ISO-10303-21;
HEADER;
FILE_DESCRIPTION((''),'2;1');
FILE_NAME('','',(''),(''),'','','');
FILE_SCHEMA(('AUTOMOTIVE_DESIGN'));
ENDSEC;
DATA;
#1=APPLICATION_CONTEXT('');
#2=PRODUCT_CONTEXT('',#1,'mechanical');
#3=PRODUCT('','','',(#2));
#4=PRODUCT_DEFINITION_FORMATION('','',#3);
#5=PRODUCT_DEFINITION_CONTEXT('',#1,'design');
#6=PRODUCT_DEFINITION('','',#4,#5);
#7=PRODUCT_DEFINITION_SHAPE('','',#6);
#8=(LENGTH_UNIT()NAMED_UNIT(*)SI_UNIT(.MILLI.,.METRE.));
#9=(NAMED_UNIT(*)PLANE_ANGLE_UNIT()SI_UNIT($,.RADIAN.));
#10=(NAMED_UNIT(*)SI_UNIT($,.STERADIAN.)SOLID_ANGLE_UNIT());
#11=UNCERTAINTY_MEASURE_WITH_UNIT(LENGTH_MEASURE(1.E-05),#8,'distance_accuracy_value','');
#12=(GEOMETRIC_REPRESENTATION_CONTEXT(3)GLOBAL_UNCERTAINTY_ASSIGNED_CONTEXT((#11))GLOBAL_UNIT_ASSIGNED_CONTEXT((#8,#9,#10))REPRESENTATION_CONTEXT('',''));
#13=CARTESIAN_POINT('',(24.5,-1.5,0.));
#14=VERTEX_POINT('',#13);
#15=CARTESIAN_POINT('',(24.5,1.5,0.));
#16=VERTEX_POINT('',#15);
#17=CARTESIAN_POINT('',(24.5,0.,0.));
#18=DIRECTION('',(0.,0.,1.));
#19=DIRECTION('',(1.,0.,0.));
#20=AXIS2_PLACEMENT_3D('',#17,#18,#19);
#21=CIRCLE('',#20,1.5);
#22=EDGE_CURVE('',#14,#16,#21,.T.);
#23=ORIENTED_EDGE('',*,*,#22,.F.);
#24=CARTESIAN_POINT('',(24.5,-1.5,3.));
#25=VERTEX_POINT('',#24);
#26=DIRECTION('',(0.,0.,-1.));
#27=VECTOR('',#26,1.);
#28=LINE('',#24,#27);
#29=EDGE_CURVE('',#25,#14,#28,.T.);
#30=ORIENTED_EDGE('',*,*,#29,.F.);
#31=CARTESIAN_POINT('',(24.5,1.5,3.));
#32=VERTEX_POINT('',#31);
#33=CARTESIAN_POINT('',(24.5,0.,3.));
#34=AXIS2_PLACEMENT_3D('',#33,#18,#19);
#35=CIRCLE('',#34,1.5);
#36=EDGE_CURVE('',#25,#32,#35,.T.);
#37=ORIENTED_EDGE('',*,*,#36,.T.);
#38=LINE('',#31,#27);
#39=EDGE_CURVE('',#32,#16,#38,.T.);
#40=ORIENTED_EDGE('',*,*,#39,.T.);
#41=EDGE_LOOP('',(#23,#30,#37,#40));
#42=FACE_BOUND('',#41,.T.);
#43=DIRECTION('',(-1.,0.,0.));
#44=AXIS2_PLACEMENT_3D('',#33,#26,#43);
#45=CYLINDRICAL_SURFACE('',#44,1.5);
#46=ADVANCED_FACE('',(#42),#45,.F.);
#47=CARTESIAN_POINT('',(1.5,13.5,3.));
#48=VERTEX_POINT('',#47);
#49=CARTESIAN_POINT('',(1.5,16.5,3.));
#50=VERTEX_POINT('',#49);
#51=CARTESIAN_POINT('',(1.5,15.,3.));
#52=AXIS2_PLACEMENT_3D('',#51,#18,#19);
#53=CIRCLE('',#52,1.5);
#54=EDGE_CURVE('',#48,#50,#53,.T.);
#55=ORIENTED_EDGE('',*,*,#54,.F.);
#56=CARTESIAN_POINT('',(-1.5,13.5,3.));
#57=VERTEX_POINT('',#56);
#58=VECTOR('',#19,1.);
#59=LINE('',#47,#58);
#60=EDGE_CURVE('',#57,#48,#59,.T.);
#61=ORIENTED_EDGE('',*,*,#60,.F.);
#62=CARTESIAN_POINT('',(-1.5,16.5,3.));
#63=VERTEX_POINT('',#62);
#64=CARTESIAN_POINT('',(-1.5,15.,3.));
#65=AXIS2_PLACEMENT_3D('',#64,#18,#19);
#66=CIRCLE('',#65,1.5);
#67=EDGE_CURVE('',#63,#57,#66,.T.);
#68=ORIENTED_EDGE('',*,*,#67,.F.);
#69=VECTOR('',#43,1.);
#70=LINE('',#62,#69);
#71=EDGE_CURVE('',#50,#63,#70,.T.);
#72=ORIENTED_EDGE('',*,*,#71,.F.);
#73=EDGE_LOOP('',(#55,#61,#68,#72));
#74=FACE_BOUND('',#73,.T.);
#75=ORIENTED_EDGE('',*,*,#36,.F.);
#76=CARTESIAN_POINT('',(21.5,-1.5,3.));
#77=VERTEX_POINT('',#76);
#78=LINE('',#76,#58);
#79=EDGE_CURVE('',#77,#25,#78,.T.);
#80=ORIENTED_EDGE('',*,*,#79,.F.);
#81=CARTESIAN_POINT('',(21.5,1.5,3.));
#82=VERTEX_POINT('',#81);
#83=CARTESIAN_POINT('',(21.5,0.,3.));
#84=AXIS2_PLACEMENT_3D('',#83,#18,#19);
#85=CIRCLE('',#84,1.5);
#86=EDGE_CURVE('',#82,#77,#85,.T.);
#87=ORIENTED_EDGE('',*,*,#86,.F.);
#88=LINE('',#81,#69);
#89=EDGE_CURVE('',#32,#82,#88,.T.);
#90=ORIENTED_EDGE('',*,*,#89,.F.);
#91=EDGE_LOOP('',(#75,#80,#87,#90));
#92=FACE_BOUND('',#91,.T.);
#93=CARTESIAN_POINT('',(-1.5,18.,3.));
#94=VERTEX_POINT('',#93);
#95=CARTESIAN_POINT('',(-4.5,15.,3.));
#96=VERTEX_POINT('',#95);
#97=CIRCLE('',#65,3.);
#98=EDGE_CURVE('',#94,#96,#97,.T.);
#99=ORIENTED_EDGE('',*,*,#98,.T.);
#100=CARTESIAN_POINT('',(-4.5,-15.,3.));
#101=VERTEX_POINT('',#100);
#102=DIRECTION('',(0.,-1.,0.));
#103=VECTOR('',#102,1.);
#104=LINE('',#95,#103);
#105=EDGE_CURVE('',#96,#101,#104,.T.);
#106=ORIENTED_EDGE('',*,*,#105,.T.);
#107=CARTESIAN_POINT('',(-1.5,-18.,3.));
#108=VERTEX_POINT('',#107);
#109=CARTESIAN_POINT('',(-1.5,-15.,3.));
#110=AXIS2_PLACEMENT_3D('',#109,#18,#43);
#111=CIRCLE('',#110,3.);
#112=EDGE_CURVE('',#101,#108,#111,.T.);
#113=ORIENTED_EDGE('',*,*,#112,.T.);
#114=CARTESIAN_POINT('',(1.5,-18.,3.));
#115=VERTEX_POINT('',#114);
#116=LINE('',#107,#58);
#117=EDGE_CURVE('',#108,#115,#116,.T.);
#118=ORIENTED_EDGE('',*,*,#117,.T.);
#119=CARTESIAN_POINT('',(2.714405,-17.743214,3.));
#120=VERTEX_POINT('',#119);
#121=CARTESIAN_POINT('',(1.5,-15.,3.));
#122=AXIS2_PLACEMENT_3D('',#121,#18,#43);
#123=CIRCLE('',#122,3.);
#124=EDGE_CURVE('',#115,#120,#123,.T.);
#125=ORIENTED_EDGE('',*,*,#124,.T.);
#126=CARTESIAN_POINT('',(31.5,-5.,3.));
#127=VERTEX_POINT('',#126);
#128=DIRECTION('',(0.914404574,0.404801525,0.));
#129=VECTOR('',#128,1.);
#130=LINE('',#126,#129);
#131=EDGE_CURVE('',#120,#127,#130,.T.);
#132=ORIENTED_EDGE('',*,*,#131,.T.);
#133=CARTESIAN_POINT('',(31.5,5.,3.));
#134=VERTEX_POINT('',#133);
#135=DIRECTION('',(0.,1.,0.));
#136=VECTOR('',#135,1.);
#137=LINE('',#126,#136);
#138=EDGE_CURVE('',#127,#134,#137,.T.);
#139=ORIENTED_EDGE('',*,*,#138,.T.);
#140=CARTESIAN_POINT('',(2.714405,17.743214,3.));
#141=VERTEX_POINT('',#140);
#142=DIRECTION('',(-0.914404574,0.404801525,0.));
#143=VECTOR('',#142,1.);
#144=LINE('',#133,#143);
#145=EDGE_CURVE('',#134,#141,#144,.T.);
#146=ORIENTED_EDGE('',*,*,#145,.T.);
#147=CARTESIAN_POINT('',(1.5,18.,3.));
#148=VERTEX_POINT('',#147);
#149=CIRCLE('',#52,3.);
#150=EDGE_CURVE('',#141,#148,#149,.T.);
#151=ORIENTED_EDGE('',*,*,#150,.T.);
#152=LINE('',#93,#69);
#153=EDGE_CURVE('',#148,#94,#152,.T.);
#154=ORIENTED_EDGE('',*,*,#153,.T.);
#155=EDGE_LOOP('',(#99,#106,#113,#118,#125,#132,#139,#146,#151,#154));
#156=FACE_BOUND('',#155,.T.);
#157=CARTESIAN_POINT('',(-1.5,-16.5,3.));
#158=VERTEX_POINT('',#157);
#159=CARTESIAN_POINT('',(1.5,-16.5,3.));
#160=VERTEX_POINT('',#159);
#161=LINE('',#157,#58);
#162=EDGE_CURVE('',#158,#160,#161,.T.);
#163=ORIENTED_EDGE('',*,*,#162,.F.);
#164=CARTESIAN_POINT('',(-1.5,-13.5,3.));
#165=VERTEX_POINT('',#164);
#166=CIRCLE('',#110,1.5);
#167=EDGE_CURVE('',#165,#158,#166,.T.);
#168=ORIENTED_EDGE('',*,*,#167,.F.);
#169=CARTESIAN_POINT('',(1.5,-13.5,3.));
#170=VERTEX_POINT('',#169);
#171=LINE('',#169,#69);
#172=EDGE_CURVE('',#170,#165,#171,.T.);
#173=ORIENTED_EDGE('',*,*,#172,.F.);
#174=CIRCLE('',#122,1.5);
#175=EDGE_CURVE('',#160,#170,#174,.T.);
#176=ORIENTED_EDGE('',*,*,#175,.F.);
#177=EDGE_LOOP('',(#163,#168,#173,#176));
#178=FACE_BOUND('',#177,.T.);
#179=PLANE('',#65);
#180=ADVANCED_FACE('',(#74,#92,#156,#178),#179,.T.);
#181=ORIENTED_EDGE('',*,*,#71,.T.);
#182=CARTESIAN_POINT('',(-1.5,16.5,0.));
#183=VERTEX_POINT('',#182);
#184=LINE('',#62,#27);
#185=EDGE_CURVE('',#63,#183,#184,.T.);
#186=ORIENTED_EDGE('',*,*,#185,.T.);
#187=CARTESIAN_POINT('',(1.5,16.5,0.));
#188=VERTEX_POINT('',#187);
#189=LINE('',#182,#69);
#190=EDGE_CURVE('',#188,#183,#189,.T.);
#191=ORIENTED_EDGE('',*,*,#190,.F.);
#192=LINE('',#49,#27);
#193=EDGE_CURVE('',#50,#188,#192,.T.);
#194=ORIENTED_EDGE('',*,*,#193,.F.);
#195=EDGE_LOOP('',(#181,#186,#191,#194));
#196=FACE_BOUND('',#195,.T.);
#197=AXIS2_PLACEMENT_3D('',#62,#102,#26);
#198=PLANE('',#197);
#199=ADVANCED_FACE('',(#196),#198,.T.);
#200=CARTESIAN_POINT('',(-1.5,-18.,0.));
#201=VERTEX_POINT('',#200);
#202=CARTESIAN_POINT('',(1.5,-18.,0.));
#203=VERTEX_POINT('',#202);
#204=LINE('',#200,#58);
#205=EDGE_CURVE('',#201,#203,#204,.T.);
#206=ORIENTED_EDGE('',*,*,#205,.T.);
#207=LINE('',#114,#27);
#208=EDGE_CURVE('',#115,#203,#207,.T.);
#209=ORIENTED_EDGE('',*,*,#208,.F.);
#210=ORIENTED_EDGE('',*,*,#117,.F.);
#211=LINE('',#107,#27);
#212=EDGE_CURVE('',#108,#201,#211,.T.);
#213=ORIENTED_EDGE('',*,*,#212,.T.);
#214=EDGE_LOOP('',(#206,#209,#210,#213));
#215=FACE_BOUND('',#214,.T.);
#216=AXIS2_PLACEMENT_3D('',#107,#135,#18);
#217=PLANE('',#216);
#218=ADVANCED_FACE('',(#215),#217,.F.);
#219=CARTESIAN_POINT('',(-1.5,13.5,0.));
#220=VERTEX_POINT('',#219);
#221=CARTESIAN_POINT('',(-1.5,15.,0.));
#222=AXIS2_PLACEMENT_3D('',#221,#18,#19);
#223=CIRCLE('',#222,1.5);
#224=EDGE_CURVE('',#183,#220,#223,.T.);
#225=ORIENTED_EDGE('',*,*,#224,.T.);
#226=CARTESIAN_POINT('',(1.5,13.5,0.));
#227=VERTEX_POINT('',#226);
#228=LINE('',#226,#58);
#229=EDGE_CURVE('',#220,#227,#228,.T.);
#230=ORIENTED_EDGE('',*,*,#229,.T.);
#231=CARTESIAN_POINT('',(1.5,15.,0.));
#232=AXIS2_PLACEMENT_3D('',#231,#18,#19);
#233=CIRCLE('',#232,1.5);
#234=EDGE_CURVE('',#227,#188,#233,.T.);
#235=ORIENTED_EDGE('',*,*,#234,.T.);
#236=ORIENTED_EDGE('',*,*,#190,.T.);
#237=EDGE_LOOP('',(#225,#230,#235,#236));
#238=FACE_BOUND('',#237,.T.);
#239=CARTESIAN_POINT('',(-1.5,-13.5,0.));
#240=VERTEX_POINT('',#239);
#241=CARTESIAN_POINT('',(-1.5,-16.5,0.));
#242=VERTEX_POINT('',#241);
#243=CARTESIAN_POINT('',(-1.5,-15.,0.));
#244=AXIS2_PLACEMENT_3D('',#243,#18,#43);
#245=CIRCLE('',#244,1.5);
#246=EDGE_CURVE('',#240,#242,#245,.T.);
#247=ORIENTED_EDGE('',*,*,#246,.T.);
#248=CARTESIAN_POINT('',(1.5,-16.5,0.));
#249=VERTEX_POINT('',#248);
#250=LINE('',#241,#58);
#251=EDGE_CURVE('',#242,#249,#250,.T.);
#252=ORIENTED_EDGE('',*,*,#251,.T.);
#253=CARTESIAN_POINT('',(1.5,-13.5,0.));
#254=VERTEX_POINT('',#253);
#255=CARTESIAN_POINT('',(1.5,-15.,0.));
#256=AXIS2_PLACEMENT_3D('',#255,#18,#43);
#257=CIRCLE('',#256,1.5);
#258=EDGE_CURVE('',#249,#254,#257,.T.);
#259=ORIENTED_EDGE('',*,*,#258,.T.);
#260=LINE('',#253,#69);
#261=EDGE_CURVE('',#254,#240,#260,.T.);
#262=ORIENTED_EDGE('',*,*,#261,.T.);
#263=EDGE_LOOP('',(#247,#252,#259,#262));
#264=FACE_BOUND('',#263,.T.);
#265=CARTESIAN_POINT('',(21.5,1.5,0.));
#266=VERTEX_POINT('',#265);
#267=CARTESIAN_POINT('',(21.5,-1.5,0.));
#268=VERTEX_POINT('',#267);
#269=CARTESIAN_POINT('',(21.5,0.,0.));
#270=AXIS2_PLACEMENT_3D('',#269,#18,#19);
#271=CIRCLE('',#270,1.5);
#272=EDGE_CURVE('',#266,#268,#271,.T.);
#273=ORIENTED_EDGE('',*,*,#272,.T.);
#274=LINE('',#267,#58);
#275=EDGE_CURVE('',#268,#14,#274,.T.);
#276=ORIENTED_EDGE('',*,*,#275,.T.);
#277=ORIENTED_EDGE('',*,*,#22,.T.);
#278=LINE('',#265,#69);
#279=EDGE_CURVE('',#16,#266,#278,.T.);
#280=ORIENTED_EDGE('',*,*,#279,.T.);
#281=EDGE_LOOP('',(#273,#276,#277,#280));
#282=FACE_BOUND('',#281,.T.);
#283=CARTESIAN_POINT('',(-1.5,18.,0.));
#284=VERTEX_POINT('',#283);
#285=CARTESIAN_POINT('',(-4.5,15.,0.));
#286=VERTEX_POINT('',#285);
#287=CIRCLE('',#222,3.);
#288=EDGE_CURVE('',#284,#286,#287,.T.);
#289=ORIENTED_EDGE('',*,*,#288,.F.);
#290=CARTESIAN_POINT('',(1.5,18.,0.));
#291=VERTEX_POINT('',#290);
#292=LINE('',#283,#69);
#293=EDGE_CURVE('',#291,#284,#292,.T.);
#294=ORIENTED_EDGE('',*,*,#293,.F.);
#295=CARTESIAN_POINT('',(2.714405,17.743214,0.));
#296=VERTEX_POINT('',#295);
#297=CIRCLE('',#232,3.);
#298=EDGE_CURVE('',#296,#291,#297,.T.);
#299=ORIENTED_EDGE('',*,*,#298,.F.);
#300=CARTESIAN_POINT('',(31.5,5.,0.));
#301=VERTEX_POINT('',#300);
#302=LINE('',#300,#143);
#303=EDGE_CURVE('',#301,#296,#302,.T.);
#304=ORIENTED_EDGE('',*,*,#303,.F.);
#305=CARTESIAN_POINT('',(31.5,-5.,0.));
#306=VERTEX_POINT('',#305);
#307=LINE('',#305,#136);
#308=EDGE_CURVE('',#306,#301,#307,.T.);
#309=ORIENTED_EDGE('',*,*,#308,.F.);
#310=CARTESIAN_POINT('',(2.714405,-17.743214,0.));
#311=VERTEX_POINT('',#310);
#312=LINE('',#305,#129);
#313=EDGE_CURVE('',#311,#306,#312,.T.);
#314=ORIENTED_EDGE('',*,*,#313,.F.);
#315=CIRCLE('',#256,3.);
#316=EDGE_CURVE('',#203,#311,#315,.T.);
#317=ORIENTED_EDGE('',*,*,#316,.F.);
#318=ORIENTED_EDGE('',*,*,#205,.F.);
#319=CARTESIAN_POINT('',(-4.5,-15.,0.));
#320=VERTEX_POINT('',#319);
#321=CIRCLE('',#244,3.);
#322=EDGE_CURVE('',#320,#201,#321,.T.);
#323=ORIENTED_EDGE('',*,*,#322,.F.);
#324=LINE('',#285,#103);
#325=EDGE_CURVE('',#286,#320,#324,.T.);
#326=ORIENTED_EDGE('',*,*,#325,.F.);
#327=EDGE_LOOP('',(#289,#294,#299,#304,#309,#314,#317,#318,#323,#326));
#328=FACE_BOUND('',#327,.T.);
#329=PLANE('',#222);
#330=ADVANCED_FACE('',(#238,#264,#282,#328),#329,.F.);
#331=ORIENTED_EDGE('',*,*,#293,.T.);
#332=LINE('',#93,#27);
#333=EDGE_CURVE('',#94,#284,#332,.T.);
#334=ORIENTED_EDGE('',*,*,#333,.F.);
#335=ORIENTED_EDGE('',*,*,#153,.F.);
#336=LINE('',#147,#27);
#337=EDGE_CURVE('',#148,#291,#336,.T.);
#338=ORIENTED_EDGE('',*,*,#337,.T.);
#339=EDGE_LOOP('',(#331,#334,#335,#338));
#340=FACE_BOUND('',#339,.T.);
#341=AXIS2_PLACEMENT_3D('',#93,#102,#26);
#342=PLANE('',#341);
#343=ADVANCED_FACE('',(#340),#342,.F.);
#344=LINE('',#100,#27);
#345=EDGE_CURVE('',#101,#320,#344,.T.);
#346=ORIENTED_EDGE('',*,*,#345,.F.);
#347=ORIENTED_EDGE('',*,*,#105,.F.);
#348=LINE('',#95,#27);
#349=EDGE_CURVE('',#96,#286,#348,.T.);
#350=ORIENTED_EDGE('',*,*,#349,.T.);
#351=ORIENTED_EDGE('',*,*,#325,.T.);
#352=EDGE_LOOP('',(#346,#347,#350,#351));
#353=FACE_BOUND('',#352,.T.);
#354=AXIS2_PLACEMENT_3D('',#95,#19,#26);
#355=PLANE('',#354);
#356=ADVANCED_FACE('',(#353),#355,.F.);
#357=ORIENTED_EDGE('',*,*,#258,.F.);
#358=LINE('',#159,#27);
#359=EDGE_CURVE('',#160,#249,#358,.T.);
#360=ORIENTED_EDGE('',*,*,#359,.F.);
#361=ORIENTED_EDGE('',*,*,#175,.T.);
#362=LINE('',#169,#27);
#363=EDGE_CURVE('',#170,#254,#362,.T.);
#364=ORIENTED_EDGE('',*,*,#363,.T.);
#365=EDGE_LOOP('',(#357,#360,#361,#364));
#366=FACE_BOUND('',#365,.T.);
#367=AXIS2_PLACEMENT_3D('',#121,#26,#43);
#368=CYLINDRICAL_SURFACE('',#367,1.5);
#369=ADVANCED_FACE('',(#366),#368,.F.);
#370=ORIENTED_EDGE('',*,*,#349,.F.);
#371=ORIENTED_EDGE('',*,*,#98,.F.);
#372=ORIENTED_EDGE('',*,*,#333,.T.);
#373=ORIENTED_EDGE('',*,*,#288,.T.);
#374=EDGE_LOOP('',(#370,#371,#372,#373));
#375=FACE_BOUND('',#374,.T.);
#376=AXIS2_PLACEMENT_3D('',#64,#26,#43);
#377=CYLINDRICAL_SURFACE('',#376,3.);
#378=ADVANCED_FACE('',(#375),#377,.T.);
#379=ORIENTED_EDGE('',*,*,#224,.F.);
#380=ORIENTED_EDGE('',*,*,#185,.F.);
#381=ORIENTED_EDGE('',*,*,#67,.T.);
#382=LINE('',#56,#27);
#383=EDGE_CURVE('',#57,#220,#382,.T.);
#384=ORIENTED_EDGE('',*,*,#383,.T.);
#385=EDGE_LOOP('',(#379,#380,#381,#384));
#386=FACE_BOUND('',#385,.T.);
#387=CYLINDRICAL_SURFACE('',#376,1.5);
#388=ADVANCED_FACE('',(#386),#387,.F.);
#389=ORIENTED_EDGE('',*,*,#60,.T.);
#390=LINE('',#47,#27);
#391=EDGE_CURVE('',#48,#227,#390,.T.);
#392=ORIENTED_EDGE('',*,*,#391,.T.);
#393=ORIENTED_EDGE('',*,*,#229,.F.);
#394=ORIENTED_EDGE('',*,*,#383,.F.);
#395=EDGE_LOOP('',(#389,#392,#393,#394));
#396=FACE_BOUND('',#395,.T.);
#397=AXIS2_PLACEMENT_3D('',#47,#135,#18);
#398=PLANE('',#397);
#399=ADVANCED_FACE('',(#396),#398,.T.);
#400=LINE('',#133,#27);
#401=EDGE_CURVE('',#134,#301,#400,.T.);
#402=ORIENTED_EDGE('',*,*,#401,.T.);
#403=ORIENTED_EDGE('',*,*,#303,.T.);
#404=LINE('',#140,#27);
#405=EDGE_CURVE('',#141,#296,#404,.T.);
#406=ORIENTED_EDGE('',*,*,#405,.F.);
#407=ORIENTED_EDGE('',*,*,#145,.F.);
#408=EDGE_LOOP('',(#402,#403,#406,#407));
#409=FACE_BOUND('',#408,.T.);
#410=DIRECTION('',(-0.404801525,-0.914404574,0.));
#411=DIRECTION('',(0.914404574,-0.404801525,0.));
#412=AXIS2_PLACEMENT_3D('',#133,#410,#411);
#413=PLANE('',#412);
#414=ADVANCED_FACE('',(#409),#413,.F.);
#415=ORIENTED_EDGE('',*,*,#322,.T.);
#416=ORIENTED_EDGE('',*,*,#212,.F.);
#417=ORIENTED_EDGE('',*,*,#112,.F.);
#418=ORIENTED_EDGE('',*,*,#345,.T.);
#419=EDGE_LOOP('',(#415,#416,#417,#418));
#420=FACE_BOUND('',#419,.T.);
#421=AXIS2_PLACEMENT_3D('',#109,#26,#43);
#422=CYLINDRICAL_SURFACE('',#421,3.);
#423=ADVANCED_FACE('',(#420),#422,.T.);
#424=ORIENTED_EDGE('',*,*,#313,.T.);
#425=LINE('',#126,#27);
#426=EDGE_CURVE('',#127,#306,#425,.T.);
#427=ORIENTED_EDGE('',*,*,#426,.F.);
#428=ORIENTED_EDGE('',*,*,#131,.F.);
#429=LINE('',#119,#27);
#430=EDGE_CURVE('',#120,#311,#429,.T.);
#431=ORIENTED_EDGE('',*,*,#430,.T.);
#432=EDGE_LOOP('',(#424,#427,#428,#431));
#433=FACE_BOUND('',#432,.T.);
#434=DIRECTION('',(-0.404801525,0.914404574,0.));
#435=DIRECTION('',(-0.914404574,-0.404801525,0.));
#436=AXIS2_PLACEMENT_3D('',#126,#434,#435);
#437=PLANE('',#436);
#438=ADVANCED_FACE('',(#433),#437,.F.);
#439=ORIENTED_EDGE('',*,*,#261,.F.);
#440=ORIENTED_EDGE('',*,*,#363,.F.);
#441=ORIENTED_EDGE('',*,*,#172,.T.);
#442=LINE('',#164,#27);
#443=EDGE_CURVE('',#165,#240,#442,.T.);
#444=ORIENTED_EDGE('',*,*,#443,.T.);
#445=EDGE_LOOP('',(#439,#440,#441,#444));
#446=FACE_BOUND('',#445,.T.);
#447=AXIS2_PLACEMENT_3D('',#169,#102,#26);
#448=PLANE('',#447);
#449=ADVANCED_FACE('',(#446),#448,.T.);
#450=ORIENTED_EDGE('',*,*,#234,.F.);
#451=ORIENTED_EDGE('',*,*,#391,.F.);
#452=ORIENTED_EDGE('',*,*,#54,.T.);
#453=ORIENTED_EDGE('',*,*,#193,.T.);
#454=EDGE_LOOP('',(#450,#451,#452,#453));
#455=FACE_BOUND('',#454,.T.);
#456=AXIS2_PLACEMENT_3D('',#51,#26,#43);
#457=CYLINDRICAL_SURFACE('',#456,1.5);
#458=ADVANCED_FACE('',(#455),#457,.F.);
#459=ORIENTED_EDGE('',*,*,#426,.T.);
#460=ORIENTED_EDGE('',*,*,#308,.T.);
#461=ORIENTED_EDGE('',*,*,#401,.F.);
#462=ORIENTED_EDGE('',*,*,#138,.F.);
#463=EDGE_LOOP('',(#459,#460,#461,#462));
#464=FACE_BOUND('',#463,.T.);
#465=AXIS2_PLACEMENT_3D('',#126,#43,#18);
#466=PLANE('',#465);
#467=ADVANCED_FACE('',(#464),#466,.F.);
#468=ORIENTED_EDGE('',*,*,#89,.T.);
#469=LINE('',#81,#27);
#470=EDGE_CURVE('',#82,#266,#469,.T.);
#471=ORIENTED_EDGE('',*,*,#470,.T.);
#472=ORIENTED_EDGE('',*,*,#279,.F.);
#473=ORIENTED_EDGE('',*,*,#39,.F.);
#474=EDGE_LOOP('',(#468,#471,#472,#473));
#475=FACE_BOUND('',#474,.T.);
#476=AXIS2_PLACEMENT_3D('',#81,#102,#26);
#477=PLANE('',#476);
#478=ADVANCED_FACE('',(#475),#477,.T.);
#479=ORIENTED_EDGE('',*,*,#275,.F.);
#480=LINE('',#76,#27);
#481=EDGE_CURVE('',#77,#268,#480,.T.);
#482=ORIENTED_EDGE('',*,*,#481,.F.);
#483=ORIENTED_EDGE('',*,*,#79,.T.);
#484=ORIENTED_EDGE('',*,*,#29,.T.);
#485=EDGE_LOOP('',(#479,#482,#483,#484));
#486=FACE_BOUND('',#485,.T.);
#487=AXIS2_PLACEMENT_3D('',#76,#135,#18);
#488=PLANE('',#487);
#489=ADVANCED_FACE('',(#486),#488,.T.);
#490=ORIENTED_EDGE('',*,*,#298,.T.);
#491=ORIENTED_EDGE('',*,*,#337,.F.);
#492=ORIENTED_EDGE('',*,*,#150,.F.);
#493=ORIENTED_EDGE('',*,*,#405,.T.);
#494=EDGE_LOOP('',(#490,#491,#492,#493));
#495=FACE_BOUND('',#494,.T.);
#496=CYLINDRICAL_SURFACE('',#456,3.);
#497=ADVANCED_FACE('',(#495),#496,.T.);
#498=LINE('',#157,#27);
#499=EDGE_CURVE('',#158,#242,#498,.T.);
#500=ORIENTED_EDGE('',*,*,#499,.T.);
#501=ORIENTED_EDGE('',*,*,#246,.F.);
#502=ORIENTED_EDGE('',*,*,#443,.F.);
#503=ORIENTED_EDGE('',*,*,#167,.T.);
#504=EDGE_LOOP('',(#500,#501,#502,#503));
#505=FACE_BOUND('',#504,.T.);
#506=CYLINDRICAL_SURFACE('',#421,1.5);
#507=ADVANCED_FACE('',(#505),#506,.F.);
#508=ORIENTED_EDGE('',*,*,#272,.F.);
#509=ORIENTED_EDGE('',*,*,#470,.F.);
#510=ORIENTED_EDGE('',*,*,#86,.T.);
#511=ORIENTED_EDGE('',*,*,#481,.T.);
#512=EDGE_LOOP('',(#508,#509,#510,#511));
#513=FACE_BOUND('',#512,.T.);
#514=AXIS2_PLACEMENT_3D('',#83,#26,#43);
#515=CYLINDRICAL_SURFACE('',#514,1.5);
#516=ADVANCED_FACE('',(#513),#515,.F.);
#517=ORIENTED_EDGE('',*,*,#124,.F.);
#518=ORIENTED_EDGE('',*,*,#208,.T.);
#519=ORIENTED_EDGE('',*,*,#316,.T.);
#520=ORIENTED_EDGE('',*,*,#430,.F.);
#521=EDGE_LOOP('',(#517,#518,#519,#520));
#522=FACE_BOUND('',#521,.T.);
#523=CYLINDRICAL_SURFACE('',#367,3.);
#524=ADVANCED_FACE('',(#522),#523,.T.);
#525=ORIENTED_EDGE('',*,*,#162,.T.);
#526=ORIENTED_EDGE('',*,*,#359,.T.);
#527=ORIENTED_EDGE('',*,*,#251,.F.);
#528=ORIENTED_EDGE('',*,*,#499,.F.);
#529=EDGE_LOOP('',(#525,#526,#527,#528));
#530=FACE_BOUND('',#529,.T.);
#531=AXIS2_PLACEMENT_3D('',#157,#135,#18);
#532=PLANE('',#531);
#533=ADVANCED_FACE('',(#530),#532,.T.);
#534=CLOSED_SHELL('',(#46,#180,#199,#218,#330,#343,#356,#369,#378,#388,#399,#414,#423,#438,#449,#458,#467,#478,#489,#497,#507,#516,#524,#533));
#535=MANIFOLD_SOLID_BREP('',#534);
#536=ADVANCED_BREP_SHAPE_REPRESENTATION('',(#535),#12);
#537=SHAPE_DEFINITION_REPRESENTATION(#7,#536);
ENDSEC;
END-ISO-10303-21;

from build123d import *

# Parameters (mm, degrees)
BOSS_EXTRUDE1_DEPTH = 3


with BuildPart() as part:
    # Sketch1 → Boss-Extrude1 (new body)
    with BuildSketch(Plane.XY):
        with BuildLine():
            Line((31.5, -5), (31.5, 5))
            Line((31.5, 5), (2.714404574, 17.743213723))
            ThreePointArc((2.714404574, 17.743213723), (2.120628243, 17.935101461), (1.5, 18))
            Line((1.5, 18), (-1.5, 18))
            ThreePointArc((-1.5, 18), (-3.621320344, 17.121320344), (-4.5, 15))
            Line((-4.5, 15), (-4.5, -15))
            ThreePointArc((-4.5, -15), (-3.621320344, -17.121320344), (-1.5, -18))
            Line((-1.5, -18), (1.5, -18))
            ThreePointArc((1.5, -18), (2.120628243, -17.935101461), (2.714404574, -17.743213723))
            Line((2.714404574, -17.743213723), (31.5, -5))
        make_face()
        with BuildLine():
            Line((21.5, -1.5), (24.5, -1.5))
            ThreePointArc((24.5, -1.5), (26, 0), (24.5, 1.5))
            Line((24.5, 1.5), (21.5, 1.5))
            ThreePointArc((21.5, 1.5), (20, 0), (21.5, -1.5))
        make_face(mode=Mode.SUBTRACT)
        with BuildLine():
            Line((-1.5, 16.5), (1.5, 16.5))
            ThreePointArc((1.5, 16.5), (3, 15), (1.5, 13.5))
            Line((1.5, 13.5), (-1.5, 13.5))
            ThreePointArc((-1.5, 13.5), (-3, 15), (-1.5, 16.5))
        make_face(mode=Mode.SUBTRACT)
        with BuildLine():
            Line((1.5, -13.5), (-1.5, -13.5))
            ThreePointArc((-1.5, -13.5), (-3, -15), (-1.5, -16.5))
            Line((-1.5, -16.5), (1.5, -16.5))
            ThreePointArc((1.5, -16.5), (3, -15), (1.5, -13.5))
        make_face(mode=Mode.SUBTRACT)
    extrude(amount=BOSS_EXTRUDE1_DEPTH)


solid = part.part
